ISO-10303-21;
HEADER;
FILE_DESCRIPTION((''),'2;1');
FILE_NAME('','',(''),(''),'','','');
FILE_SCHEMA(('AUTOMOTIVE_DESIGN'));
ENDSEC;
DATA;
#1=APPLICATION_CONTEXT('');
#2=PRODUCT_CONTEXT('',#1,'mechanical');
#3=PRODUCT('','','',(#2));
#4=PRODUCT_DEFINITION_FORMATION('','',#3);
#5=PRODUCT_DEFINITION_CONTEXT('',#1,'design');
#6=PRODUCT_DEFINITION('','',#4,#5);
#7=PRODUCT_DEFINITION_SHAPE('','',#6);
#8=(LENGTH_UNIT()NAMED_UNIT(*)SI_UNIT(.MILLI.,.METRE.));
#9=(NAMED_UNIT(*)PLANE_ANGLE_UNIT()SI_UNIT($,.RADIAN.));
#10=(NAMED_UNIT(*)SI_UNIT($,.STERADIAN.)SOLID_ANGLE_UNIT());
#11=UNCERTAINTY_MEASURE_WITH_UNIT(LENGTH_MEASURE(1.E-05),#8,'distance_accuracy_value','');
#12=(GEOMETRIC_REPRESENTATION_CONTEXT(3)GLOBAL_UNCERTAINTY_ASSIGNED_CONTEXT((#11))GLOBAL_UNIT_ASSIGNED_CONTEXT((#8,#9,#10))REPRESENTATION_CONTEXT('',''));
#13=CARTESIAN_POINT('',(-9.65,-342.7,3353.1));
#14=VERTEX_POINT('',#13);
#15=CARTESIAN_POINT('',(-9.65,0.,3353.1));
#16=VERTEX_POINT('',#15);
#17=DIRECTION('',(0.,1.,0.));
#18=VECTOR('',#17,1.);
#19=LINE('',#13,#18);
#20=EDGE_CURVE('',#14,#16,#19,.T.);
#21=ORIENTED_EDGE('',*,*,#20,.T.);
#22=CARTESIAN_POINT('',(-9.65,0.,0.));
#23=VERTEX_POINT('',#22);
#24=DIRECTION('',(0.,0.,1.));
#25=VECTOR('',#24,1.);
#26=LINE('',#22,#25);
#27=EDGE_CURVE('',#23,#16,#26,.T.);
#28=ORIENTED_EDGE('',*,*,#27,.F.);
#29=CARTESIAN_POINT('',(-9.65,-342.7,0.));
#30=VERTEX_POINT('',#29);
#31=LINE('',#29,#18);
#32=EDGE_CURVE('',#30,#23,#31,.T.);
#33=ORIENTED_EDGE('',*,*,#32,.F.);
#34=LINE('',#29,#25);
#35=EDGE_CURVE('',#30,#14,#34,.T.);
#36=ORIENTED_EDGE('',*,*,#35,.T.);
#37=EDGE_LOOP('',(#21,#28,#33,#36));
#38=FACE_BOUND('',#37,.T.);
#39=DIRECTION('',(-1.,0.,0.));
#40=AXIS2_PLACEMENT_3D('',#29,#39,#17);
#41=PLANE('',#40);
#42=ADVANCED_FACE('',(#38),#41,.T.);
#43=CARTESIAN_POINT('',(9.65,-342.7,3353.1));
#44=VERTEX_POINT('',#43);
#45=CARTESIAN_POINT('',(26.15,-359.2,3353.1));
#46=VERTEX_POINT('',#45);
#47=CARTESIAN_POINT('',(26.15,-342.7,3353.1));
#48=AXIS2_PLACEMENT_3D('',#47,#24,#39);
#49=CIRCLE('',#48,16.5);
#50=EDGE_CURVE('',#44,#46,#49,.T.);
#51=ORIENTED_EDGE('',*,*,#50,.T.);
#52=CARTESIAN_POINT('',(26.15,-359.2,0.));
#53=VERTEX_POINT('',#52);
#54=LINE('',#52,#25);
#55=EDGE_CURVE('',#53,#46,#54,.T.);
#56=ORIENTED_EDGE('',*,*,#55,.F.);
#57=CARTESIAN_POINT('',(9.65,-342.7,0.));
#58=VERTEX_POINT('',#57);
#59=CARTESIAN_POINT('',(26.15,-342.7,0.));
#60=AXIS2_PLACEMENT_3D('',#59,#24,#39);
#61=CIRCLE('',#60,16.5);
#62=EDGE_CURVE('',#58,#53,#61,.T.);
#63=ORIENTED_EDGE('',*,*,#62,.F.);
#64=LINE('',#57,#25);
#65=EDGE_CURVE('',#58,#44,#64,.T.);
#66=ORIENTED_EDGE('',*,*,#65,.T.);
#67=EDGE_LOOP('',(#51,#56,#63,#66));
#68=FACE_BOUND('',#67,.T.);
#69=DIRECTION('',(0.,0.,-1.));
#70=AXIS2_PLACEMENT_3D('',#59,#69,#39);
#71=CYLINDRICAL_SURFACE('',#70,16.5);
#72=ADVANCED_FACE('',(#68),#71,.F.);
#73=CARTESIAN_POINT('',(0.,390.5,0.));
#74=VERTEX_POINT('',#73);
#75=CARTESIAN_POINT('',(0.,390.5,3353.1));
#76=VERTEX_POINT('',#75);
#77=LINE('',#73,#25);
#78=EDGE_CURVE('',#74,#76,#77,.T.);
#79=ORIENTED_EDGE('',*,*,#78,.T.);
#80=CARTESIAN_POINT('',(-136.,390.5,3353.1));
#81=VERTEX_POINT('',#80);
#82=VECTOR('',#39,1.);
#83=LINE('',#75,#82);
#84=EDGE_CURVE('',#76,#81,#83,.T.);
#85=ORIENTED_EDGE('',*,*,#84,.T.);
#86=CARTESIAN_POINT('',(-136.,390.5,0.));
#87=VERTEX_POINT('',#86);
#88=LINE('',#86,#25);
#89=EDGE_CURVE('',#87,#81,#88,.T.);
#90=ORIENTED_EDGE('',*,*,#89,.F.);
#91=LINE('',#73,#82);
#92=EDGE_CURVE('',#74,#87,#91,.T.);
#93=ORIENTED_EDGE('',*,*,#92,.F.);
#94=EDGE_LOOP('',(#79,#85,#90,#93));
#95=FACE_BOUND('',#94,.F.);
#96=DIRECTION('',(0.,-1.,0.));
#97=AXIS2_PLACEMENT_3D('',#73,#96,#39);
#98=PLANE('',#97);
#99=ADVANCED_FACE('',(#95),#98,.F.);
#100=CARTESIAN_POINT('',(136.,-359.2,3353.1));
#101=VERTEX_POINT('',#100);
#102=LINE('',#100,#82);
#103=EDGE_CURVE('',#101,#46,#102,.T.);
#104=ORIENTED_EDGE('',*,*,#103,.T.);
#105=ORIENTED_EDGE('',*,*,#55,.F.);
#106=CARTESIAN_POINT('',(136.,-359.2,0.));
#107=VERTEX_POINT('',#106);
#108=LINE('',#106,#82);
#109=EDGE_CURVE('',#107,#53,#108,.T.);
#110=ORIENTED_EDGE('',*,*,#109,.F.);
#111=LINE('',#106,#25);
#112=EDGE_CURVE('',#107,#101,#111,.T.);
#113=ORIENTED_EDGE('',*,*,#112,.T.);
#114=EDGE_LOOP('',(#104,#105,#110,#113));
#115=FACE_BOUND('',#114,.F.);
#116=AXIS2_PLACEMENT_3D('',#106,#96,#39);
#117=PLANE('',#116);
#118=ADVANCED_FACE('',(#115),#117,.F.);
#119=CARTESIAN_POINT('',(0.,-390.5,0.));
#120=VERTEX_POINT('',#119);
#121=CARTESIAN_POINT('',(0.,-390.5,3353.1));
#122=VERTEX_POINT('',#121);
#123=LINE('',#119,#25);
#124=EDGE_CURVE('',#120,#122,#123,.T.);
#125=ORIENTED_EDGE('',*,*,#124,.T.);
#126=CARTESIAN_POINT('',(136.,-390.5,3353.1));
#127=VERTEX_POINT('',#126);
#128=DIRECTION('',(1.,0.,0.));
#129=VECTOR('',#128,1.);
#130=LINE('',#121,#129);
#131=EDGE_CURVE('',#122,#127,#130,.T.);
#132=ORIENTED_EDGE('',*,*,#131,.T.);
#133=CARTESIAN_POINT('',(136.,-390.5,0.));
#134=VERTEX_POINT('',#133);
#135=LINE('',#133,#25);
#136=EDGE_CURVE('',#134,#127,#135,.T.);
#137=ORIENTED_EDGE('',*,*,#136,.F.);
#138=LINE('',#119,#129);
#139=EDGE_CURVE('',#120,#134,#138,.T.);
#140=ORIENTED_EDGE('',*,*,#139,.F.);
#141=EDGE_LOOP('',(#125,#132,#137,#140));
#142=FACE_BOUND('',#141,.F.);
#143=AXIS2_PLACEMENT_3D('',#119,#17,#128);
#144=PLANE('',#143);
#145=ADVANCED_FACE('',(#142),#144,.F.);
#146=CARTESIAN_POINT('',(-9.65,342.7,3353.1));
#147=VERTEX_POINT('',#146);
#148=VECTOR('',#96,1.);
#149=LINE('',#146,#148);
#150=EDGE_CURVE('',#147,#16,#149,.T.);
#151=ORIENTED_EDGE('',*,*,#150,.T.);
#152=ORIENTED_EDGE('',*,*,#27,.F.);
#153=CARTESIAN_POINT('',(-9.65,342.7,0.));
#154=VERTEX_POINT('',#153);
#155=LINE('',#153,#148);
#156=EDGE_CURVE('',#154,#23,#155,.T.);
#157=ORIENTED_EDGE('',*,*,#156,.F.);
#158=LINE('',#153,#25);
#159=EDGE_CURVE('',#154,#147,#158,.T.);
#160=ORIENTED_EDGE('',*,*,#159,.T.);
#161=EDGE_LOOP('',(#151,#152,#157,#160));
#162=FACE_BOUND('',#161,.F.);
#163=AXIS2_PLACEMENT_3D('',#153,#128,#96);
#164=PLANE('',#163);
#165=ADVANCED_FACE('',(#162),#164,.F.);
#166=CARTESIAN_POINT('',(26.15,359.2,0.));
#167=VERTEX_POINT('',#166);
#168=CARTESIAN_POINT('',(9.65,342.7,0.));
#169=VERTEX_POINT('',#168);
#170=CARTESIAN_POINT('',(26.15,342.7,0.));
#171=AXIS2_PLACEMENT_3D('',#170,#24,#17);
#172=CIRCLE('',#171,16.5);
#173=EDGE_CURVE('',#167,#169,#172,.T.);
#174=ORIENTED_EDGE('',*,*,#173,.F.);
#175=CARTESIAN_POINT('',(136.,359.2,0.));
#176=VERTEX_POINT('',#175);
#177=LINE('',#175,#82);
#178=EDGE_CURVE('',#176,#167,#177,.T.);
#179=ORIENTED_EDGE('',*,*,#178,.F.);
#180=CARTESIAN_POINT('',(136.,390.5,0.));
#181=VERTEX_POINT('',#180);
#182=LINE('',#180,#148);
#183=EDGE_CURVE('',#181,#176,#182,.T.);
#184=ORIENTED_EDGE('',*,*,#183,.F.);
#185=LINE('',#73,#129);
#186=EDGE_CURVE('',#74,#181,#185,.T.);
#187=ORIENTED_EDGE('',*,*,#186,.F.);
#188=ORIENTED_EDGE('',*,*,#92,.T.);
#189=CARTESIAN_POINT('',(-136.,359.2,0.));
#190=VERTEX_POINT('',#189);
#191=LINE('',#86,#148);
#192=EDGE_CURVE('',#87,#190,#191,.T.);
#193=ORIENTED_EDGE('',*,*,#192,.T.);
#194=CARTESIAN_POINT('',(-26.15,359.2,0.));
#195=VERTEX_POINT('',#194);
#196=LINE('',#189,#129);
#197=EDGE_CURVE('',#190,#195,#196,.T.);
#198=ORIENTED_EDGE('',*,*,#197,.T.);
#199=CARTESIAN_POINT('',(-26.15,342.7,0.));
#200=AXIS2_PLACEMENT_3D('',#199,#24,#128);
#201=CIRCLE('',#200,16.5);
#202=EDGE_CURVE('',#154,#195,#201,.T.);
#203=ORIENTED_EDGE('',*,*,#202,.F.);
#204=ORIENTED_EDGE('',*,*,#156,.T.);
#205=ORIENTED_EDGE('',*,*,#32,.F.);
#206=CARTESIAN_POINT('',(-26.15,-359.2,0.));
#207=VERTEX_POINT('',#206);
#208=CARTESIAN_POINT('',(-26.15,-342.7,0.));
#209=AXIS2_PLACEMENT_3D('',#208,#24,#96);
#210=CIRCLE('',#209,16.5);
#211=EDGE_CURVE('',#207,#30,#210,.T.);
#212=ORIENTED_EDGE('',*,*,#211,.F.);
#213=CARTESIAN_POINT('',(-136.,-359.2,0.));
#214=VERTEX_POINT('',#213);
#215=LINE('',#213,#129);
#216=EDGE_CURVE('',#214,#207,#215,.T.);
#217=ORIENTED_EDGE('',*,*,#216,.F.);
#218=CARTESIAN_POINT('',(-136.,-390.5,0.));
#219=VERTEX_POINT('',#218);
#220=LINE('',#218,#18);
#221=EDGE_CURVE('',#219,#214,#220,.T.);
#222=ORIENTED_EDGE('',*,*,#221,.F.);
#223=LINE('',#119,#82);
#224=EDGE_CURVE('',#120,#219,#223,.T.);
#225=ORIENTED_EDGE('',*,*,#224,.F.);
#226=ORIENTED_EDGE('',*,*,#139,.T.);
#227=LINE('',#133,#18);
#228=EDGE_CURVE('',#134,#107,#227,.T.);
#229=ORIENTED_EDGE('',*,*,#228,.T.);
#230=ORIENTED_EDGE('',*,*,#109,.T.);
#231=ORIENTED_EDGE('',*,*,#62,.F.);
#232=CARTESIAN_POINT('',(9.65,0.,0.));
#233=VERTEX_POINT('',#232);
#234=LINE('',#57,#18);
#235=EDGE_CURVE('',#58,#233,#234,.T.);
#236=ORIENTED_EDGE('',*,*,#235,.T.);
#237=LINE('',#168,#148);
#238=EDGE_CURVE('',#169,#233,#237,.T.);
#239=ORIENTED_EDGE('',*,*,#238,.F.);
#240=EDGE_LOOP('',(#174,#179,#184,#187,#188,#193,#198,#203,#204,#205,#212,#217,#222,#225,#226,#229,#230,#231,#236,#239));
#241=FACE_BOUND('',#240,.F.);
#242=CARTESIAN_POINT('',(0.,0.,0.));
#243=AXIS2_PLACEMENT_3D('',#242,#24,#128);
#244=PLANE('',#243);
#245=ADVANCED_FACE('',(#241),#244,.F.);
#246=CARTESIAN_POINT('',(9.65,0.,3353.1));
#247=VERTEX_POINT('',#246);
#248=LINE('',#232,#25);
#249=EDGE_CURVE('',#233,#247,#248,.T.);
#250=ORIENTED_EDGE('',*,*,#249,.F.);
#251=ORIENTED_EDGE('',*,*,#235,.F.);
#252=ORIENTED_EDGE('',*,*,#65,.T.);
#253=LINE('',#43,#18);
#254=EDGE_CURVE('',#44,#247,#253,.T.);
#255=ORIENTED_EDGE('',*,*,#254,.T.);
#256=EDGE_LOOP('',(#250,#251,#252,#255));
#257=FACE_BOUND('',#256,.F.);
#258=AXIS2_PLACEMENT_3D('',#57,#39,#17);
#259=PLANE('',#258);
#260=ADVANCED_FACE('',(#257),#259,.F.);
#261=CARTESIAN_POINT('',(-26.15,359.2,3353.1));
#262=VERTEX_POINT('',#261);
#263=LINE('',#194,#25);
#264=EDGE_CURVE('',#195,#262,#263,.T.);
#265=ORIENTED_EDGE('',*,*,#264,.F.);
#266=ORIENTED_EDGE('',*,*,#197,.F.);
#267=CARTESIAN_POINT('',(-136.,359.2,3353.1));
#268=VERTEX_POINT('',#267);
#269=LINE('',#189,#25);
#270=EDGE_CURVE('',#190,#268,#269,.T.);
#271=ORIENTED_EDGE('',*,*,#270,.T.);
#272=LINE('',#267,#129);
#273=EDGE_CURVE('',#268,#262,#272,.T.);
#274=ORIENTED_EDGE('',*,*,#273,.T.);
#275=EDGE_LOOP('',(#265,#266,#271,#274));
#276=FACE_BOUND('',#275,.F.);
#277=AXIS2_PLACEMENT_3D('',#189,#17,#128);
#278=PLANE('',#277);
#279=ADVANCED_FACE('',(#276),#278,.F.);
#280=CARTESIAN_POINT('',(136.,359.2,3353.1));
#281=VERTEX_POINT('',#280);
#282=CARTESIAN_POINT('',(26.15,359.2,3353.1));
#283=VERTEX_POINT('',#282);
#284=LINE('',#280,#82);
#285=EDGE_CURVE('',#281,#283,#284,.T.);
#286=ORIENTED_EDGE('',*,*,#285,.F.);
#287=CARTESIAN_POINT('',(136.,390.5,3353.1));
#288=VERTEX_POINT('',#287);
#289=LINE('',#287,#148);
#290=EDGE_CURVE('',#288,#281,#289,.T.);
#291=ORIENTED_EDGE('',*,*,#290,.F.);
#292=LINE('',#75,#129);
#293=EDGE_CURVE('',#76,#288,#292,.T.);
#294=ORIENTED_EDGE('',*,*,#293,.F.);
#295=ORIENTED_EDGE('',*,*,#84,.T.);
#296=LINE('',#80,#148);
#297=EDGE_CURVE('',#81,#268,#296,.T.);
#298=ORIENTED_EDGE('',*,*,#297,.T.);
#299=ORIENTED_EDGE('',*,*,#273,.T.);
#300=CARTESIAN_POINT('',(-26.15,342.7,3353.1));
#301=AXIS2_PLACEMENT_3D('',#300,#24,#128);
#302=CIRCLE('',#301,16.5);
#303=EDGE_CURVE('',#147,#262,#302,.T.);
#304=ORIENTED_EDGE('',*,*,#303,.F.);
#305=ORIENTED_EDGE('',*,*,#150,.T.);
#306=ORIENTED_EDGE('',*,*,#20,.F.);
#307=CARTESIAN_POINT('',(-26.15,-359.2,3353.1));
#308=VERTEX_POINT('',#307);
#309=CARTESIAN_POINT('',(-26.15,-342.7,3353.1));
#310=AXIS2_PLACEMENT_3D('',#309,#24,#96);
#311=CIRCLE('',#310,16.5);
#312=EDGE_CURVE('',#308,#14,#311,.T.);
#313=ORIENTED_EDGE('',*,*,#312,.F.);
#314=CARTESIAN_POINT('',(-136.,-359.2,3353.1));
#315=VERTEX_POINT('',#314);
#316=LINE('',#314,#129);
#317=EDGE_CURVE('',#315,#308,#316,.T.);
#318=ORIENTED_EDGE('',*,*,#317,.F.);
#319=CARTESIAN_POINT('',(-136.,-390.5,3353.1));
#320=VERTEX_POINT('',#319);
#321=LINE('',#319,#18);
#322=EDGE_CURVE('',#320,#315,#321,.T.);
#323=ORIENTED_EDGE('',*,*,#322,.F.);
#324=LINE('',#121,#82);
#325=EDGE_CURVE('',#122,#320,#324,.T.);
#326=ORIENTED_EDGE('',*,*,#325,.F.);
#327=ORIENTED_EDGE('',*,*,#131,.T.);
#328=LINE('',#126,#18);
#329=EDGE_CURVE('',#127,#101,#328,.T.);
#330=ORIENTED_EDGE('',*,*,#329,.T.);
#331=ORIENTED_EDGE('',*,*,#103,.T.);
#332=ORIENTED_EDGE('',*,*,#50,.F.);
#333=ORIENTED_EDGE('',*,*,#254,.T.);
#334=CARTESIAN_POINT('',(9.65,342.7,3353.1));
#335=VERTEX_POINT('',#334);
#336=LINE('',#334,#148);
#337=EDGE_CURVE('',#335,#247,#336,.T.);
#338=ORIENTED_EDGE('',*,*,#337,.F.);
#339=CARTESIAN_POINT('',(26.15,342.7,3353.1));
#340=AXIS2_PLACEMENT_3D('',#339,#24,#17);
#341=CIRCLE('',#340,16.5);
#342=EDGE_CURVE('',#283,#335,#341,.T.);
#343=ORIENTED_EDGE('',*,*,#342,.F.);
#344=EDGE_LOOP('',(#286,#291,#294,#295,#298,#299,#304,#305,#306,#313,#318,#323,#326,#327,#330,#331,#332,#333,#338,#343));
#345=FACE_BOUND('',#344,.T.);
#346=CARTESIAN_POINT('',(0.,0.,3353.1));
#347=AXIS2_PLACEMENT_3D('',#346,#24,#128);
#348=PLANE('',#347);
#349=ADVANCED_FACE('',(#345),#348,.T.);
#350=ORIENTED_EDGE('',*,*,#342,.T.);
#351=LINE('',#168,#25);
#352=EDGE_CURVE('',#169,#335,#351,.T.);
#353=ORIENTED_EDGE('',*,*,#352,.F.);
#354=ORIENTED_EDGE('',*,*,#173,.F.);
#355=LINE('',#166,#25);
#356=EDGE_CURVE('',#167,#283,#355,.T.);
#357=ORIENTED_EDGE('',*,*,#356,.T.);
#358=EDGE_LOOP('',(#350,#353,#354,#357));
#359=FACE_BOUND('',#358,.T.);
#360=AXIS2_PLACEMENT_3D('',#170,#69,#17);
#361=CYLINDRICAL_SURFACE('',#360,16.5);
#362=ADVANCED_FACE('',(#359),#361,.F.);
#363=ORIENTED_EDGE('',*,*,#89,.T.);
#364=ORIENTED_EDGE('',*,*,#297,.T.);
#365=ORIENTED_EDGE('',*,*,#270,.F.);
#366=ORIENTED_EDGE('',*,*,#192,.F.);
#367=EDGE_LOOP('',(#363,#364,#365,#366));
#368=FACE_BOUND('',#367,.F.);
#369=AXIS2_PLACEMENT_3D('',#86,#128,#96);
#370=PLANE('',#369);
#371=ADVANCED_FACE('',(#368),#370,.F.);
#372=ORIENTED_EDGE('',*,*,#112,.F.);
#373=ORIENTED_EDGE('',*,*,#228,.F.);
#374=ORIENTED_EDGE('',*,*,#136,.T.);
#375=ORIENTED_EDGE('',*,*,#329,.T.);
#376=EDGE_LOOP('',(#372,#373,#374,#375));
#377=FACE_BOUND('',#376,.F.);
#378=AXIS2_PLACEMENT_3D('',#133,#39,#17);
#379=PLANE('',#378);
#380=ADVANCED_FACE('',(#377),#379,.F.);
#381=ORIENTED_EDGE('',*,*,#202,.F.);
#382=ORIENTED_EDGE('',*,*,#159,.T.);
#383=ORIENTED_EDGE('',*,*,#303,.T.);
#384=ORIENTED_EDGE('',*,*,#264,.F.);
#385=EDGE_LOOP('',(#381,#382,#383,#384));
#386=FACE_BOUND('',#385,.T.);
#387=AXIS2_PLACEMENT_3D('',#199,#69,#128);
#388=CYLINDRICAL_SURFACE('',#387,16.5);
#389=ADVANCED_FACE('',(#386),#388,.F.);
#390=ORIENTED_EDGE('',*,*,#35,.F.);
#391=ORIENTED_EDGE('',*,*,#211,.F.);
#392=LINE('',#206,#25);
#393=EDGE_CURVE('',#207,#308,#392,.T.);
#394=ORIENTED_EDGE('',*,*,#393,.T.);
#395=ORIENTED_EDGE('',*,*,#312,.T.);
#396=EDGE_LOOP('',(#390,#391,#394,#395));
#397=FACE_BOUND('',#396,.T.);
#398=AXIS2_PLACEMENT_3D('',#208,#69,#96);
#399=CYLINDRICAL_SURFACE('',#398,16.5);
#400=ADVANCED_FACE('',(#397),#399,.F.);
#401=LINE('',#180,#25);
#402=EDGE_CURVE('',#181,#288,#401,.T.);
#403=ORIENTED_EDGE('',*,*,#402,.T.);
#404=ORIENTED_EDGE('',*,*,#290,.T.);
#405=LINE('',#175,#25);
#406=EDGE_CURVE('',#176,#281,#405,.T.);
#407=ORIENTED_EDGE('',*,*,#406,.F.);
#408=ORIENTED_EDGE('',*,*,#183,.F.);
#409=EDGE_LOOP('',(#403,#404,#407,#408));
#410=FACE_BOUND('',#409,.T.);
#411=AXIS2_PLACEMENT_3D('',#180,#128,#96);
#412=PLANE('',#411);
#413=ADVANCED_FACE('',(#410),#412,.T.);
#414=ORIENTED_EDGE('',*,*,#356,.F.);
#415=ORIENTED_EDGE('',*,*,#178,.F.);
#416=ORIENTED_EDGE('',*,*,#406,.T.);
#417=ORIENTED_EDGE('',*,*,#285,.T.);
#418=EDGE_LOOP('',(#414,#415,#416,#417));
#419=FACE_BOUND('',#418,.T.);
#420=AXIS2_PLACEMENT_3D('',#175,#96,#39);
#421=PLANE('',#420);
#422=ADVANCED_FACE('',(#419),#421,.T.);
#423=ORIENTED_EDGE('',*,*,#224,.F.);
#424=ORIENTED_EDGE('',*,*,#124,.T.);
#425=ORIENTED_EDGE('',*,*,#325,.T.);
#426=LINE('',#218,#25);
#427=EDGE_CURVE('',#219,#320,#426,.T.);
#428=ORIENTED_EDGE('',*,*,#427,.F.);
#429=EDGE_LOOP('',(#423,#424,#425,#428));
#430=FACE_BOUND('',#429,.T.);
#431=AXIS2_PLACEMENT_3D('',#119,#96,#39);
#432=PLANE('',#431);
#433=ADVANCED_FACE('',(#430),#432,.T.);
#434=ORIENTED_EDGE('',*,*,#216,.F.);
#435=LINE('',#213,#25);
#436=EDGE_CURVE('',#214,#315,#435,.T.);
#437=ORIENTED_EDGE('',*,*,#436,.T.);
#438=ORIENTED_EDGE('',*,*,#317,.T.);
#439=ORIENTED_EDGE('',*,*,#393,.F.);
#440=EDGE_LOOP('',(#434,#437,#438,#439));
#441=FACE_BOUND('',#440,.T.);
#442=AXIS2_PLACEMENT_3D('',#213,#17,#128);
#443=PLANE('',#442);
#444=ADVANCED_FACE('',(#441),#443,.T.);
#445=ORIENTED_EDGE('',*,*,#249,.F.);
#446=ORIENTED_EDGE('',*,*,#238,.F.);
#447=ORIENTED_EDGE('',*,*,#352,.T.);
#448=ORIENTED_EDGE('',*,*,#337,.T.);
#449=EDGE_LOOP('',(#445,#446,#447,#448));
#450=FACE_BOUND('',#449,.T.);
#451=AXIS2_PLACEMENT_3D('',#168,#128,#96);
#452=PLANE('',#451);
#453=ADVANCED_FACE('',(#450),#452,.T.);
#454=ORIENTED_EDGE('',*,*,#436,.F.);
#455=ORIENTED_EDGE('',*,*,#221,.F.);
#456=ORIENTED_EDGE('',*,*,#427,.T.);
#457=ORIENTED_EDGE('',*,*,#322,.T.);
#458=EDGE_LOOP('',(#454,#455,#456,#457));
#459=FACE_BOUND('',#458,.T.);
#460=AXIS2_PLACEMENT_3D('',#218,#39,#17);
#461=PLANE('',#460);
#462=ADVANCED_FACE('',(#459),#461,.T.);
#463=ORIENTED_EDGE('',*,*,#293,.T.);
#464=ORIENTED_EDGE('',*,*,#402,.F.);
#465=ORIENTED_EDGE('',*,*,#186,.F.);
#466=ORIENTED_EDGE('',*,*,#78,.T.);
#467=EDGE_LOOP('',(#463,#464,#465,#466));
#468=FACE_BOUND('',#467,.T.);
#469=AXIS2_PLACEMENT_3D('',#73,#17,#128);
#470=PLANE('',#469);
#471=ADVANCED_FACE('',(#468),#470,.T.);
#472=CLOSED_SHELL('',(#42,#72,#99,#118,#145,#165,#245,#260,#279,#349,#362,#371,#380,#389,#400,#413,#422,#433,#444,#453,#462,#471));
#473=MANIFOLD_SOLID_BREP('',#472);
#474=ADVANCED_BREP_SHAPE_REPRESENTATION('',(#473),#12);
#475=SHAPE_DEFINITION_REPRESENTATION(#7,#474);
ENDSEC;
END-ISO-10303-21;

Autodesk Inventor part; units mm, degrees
ref_plane "YZ Plane" through (0, 0, 0) normal (1, 0, 0) x (0, 1, 0)
ref_plane "Start plane" through (0, 0, 0) normal (0, 0, 1) x (1, 0, 0)
ref_plane "End plane" through (0, 0, 3353.1) normal (0, 0, 1) x (1, 0, 0)
sketch "Sketch" plane through (0, 0, 0) normal (0, 0, 1) x (1, 0, 0)
  line L0 (-136, -390.5) -> (-136, -359.2)
  line L1 (-136, -359.2) -> (-26.15, -359.2)
  line L2 (-9.65, -342.7) -> (-9.65, 0)
  line L3 (-9.65, 0) -> (0, 0) construction
  line L4 (0, 0) -> (0, -390.5) construction
  line L5 (0, -390.5) -> (-136, -390.5)
  line L6 (-60, 0) -> (80, 0) construction
  line L7 (0, -60) -> (0, 80) construction
  line L8 (136, -390.5) -> (136, -359.2)
  line L9 (136, -359.2) -> (26.15, -359.2)
  line L10 (9.65, -342.7) -> (9.65, 0)
  line L11 (9.65, 0) -> (0, 0) construction
  line L12 (0, -390.5) -> (136, -390.5)
  line L13 (-136, 390.5) -> (-136, 359.2)
  line L14 (-136, 359.2) -> (-26.15, 359.2)
  line L15 (-9.65, 342.7) -> (-9.65, 0)
  line L16 (0, 390.5) -> (-136, 390.5)
  line L17 (136, 390.5) -> (136, 359.2)
  line L18 (136, 359.2) -> (26.15, 359.2)
  line L19 (0, 390.5) -> (136, 390.5)
  line L20 (9.65, 342.7) -> (9.65, 0)
  arc A0 (-9.65, 342.7) -> (-26.15, 359.2) centre (-26.15, 342.7) ccw
  arc A1 (26.15, 359.2) -> (9.65, 342.7) centre (26.15, 342.7) ccw
  arc A2 (9.65, -342.7) -> (26.15, -359.2) centre (26.15, -342.7) ccw
  arc A3 (-26.15, -359.2) -> (-9.65, -342.7) centre (-26.15, -342.7) ccw
  line L21 (0, 108) -> (0, -88) construction
  line L22 (-88, 0) -> (108, 0) construction
  point P0 (-9.65, -359.2)
  point P1 (9.65, -359.2)
  point P2 (-9.65, 359.2)
  point P3 (9.65, 359.2)
  dimension "d1" = 390.5
  dimension "d2" = 31.3
  dimension "d3" = 136
  dimension "d4" = 9.65
  dimension "d10" = 16.5
extrude "Body" add sketch "Sketch" along normal up to surface (3353.1 mm away) from surface at 0
sketch "Sketch4" plane through (0, 0, 0) normal (0, 0, 1) x (1, 0, 0)
  line L0 (0, 0) -> (10, 0)
ref_plane "Work Plane3" through (0, 0, 0) normal (0, -1, 0) x (1, 0, 0)
sketch "Sketch5" plane through (0, 0, 0) normal (0, -1, 0) x (1, 0, 0)
  line L0 (-2, 0) -> (12, 0) projected
  line L1 (-2, 3353.1) -> (12, 3353.1) projected
  dimension "d14" = 3353.1
equation "\"d1\" = 0.5 * G_H"
equation "\"d2\" = G_T1"
equation "\"d3\" = 0.5 * G_W"
equation "\"d4\" = 0.5 * G_T"
equation "\"d10\" = G_IR"
equation "\"d5\" = G_L"
equation "\"G_W\" = 272"
equation "\"G_H\" = 781"
equation "\"G_T\" = 19.3"
equation "\"G_T1\" = 31.3"
equation "\"G_IR\" = 16.5"
equation "\"G_L\" = d14"
equation "\"G_OFFSET_START\" = 0"
equation "\"G_OFFSET_END\" = 0"
equation "\"d12\" = G_OFFSET_END + B_L"
equation "\"B_L\" = 3353.1"
properties part number "AS 3679-1990 - 760 UB - 244 - 3353.1" material "Steel, Mild"
